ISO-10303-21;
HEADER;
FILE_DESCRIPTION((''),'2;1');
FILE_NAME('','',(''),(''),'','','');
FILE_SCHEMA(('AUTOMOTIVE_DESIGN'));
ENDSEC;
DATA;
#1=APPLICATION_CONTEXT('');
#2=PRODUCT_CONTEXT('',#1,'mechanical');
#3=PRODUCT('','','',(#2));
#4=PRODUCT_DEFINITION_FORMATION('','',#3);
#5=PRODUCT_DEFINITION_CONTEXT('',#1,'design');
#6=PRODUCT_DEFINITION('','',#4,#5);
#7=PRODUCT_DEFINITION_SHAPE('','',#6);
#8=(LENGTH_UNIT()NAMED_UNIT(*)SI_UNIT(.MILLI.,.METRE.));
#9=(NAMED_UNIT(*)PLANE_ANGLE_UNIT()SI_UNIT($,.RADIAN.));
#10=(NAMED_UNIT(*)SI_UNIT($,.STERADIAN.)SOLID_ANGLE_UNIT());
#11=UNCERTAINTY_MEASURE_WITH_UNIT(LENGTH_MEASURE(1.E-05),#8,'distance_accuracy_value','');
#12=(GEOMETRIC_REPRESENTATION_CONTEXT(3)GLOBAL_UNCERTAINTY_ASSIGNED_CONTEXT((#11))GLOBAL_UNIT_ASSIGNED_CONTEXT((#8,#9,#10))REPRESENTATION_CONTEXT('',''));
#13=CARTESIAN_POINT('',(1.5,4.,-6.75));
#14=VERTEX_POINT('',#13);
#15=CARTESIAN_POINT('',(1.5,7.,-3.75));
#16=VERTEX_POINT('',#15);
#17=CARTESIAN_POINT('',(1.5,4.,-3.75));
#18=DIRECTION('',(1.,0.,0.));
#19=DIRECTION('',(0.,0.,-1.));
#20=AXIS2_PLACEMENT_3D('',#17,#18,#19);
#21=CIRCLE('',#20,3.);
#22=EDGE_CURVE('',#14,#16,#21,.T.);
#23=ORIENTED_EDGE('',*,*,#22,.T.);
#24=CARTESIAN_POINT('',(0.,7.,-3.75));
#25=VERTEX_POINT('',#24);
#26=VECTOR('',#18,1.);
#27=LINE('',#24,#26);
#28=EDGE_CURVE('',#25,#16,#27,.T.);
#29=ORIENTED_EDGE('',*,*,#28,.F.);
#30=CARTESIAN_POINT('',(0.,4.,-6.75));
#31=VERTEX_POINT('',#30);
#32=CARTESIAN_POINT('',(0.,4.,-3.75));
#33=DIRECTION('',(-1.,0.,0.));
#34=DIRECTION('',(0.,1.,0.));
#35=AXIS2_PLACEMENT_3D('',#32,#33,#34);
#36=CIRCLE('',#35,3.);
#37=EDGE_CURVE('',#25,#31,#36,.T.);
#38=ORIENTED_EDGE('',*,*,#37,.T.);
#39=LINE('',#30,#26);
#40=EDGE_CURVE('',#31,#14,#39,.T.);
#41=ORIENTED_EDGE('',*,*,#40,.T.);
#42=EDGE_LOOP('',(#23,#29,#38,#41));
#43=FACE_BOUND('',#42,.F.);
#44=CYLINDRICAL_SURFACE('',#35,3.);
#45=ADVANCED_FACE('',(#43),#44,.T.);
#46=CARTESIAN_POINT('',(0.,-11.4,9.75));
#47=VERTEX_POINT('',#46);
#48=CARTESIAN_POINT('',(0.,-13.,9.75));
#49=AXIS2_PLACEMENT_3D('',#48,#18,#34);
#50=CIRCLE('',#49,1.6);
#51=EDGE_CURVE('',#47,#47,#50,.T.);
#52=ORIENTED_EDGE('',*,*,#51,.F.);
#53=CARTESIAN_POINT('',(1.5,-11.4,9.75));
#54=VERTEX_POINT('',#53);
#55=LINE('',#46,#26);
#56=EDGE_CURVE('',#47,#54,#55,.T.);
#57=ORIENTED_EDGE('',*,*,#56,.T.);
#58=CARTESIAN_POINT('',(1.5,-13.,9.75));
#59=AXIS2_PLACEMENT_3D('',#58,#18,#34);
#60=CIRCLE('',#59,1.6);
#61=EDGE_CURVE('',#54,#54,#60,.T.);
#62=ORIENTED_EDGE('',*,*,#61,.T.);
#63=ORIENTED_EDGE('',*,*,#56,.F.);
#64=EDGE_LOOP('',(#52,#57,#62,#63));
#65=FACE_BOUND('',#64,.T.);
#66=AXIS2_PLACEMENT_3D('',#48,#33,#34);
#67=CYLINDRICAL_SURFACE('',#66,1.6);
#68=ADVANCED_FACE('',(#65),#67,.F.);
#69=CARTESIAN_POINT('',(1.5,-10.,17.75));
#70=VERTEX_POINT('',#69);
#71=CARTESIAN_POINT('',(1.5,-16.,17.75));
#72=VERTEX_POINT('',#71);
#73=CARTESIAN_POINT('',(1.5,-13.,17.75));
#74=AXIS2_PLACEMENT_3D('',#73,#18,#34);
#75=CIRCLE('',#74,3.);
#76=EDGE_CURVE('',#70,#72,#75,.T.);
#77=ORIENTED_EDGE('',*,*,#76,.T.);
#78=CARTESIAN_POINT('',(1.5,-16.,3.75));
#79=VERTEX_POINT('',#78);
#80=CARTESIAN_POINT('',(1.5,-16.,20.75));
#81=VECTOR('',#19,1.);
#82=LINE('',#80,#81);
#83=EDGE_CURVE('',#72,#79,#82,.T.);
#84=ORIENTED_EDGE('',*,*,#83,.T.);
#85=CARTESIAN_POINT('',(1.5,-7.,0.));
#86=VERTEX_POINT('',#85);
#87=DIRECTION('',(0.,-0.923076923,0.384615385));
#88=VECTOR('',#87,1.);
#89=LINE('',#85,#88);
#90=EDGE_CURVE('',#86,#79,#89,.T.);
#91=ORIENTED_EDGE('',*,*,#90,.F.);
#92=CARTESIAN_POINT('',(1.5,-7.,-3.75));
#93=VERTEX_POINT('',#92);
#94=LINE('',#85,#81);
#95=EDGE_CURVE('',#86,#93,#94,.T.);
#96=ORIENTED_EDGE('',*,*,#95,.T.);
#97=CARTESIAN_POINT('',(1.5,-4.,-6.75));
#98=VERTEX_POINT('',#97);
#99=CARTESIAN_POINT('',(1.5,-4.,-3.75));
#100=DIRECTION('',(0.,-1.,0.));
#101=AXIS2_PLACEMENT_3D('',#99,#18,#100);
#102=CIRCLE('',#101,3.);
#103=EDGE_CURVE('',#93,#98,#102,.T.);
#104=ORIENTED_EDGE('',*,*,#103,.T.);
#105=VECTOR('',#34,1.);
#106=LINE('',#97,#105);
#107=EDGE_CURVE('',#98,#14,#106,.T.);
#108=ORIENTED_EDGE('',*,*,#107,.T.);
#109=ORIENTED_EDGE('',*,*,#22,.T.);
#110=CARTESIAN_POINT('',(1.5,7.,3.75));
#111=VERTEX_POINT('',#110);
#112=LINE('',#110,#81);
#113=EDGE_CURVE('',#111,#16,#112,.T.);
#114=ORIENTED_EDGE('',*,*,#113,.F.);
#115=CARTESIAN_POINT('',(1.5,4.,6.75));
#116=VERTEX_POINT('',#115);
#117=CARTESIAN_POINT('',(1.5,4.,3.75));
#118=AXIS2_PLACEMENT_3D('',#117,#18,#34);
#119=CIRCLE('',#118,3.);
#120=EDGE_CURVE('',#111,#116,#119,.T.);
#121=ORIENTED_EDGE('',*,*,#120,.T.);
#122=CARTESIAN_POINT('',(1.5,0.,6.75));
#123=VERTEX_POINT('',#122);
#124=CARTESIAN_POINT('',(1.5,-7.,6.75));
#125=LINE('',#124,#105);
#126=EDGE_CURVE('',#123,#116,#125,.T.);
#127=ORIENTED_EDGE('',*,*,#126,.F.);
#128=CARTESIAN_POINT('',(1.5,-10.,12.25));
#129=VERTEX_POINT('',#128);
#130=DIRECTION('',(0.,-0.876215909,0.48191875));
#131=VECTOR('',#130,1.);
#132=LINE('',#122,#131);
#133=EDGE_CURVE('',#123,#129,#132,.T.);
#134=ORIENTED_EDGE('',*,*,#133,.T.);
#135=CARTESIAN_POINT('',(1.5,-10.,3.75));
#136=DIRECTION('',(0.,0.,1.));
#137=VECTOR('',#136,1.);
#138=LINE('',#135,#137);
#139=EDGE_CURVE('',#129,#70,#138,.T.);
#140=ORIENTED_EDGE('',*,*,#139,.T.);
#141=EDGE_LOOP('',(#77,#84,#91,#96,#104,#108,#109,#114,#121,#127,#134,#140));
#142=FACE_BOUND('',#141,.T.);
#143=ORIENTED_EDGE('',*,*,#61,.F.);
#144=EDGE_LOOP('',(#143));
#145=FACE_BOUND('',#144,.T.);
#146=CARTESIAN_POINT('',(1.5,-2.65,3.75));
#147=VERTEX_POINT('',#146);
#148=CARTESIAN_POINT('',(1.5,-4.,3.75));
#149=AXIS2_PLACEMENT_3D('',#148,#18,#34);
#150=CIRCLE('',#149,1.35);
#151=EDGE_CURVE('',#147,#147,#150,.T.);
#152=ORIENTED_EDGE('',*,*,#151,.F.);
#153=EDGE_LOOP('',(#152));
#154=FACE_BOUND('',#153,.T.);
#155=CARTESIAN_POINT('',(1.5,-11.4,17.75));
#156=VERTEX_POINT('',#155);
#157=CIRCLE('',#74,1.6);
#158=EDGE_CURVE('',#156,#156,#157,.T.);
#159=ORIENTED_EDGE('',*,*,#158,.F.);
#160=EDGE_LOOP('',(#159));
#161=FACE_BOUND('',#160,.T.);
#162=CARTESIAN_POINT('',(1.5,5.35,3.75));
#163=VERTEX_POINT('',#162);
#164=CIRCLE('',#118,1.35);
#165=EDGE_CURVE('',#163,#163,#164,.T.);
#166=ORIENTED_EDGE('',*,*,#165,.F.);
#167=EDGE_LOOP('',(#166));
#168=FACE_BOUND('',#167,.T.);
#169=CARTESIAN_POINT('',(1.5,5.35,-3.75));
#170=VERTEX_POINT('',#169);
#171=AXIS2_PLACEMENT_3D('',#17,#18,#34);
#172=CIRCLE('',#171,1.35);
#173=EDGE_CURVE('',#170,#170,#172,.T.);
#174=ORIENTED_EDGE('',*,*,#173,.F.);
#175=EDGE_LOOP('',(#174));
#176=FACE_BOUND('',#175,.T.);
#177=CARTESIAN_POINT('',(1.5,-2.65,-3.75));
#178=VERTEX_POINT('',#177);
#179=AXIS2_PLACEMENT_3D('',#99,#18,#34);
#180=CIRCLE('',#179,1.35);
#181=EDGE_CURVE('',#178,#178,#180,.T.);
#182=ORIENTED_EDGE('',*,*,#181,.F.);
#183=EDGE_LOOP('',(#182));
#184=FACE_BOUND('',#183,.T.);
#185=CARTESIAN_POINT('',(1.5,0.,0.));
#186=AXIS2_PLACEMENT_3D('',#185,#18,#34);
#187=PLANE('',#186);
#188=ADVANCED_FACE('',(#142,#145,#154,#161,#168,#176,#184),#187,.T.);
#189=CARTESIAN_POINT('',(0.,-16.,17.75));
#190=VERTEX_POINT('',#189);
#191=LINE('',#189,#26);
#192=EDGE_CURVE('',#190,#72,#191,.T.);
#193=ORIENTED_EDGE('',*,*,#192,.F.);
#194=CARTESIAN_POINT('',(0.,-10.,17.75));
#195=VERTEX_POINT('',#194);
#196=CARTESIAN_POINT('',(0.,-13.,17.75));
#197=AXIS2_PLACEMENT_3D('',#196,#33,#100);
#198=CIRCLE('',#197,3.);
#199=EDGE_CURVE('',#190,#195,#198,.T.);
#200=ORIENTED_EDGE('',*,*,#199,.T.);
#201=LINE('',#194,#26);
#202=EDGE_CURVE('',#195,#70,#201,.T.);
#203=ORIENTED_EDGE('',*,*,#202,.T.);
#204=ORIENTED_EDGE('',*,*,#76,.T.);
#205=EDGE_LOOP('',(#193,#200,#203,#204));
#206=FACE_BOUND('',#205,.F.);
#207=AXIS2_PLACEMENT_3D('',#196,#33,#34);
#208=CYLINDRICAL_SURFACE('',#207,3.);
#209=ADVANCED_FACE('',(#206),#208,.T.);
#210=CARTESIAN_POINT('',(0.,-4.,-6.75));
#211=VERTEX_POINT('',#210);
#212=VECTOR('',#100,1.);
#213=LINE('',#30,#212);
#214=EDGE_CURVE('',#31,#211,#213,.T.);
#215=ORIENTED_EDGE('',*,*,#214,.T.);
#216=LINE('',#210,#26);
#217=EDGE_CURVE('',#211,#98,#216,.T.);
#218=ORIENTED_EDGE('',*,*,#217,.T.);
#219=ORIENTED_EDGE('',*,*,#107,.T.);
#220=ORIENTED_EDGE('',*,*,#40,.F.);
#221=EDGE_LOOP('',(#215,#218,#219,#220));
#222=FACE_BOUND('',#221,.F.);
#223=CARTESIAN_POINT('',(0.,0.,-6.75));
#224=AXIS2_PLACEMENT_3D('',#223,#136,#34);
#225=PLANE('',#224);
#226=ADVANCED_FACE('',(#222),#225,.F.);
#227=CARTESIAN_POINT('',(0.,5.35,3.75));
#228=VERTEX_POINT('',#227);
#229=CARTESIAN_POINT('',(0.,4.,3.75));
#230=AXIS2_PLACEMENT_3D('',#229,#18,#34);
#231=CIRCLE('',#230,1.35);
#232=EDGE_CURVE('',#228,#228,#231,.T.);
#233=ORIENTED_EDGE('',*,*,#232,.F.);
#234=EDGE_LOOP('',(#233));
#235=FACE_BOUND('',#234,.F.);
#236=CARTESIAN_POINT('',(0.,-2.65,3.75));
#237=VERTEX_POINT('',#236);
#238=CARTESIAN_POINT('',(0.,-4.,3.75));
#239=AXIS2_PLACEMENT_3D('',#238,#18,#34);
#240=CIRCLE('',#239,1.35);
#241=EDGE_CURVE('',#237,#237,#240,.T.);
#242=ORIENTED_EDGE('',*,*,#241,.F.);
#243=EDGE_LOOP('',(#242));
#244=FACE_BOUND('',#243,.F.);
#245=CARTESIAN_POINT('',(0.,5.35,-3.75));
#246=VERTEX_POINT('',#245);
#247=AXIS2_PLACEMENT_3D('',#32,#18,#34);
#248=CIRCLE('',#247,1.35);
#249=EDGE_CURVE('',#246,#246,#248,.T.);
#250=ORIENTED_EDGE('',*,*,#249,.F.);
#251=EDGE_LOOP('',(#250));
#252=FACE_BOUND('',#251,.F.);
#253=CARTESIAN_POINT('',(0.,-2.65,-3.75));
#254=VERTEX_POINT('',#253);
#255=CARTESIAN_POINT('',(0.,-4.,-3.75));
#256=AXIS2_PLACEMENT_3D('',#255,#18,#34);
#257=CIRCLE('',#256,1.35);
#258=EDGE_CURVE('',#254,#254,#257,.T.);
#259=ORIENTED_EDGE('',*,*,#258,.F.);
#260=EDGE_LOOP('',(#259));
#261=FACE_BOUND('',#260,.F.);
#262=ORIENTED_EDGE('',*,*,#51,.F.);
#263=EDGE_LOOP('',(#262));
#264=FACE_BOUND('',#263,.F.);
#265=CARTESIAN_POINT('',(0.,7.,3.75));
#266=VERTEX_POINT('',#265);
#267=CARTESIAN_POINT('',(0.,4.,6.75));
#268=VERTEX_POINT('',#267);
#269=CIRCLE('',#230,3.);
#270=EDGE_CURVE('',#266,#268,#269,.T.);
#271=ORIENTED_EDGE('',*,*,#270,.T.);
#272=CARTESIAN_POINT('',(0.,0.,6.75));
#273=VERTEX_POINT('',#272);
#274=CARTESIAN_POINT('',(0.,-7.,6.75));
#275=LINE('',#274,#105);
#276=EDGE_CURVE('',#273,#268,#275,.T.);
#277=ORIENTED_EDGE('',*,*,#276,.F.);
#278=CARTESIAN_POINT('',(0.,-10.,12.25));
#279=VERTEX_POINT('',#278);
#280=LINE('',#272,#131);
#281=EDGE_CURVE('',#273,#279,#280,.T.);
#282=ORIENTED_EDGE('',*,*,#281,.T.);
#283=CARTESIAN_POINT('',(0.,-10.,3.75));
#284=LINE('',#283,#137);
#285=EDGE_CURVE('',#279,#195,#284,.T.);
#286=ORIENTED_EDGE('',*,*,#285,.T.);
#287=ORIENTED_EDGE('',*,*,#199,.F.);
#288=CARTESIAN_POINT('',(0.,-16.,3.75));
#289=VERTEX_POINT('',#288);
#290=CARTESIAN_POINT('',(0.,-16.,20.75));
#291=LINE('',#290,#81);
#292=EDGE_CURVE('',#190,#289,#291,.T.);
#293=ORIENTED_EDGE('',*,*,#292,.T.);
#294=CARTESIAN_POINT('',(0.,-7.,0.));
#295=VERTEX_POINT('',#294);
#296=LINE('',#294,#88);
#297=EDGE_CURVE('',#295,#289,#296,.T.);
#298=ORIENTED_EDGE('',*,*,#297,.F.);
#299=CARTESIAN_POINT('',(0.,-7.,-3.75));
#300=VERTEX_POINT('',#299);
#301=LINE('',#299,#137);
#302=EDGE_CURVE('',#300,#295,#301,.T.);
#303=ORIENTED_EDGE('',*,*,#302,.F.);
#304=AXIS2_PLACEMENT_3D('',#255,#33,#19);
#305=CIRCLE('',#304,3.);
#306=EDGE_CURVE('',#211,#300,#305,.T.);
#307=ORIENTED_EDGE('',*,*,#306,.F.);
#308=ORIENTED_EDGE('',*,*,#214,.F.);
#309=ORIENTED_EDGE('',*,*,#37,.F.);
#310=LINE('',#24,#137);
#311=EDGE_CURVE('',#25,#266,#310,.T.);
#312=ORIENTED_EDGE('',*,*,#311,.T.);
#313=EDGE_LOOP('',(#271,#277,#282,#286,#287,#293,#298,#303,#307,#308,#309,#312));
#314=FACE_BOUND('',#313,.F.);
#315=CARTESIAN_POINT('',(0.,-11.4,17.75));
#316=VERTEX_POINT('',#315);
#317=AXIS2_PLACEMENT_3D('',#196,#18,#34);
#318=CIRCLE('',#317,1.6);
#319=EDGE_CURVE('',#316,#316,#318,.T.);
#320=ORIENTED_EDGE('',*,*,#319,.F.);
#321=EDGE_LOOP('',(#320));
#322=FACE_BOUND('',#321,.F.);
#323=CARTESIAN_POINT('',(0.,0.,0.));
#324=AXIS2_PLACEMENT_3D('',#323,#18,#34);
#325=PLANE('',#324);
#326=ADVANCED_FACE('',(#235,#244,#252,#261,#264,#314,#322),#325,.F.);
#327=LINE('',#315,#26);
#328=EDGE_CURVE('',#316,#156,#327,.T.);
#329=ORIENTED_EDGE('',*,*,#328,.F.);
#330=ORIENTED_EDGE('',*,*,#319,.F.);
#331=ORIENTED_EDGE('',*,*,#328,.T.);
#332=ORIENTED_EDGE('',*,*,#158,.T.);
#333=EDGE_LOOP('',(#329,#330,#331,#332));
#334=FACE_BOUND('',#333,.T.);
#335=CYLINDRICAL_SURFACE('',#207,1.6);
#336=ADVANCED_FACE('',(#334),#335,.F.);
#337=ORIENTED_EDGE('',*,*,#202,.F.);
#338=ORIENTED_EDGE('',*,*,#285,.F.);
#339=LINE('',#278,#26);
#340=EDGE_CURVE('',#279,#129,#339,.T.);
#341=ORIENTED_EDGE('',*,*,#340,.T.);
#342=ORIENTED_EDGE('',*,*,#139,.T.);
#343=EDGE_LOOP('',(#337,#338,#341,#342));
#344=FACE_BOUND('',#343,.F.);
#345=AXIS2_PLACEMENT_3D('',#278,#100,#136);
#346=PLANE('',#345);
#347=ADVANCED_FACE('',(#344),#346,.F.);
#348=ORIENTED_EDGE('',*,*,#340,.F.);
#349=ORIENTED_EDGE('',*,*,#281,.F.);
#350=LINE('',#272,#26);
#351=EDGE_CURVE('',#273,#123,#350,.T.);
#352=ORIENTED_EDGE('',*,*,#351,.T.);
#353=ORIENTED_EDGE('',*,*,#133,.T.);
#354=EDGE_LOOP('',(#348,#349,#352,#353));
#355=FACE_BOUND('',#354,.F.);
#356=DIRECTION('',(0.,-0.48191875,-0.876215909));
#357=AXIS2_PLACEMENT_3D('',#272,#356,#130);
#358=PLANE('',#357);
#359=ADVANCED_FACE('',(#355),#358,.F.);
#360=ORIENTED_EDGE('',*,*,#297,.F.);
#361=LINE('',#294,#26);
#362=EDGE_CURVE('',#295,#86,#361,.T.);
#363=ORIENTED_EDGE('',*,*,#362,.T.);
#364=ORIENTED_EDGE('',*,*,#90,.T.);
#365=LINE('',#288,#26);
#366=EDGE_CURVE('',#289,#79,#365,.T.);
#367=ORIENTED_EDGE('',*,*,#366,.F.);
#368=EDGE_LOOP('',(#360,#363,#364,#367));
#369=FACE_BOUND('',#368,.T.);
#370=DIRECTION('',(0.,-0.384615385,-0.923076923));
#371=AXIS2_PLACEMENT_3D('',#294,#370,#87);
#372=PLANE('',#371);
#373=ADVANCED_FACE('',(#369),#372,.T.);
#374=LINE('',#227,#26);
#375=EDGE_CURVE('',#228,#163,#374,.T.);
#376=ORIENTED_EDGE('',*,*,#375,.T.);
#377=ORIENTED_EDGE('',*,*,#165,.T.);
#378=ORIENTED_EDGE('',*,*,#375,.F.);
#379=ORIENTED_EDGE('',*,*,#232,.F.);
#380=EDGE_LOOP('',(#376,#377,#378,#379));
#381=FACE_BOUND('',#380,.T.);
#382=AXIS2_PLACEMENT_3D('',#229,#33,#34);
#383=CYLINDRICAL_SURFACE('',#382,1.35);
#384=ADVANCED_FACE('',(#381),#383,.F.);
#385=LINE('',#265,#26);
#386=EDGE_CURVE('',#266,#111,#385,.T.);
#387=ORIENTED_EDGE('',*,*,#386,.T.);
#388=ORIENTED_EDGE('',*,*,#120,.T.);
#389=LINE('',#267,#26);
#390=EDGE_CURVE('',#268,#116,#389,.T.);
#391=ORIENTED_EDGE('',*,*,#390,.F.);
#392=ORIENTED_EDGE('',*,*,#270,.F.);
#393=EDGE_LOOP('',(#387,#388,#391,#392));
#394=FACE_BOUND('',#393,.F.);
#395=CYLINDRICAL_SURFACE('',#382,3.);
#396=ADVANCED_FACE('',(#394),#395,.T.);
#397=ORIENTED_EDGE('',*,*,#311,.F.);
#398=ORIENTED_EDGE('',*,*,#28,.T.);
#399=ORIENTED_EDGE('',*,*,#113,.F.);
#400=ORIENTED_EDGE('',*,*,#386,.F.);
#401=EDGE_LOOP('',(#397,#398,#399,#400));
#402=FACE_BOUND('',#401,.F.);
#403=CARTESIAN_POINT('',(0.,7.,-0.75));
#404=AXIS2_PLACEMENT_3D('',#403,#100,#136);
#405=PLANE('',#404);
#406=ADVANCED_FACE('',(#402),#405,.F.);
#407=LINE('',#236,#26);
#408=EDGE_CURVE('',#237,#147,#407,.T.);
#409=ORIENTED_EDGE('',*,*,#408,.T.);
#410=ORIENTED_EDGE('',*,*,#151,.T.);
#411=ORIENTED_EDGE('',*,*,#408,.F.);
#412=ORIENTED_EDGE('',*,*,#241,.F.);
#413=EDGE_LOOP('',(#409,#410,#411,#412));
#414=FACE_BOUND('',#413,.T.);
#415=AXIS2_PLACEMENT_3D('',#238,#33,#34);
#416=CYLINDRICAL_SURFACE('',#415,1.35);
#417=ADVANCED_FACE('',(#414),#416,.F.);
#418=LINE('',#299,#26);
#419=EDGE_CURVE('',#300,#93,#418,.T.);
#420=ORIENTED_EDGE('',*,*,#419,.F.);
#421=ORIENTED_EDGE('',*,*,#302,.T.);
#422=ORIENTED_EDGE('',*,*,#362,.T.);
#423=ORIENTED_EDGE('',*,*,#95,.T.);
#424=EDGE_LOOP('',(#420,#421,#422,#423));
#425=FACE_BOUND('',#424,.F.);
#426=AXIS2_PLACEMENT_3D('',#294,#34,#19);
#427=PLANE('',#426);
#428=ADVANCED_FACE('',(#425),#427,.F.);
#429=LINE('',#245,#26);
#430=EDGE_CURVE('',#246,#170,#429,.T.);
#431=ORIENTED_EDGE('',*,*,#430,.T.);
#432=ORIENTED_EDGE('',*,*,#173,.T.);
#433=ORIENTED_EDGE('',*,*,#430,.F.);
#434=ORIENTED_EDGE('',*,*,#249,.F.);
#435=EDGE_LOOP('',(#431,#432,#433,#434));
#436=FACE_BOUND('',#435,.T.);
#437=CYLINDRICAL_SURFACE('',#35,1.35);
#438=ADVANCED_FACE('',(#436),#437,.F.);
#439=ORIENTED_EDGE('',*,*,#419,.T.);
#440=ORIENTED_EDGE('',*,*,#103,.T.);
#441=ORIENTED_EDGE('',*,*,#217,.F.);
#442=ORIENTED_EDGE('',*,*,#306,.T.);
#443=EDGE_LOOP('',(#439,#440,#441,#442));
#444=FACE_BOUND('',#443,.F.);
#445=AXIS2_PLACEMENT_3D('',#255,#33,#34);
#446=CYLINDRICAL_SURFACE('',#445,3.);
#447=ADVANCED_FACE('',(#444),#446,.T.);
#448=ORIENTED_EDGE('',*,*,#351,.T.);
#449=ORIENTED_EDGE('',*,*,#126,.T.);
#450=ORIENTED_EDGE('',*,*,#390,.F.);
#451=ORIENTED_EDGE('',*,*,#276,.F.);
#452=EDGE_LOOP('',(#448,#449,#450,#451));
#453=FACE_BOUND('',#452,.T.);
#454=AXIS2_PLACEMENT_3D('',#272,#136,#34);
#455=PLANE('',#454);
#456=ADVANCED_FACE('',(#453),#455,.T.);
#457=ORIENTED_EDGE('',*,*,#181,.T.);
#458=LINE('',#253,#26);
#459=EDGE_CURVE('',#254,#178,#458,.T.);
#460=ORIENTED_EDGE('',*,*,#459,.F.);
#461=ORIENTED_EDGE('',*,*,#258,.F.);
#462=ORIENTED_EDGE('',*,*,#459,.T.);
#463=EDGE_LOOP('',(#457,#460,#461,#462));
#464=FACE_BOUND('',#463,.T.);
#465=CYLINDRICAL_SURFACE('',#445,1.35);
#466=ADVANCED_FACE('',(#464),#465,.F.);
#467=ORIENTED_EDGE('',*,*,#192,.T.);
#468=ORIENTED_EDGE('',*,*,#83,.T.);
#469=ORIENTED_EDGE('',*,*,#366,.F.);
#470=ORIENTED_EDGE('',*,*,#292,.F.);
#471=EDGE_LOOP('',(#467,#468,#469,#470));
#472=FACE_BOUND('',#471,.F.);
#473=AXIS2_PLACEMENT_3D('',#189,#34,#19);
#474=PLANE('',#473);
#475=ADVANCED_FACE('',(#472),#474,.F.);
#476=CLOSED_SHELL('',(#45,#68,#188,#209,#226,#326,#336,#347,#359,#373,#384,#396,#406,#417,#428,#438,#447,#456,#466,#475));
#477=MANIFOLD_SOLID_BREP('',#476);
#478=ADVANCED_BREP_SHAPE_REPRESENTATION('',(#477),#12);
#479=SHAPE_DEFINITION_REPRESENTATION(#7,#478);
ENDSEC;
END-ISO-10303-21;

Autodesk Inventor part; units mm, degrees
ref_plane "YZ Plane" through (0, 0, 0) normal (1, 0, 0) x (0, 1, 0)
ref_plane "XZ Plane" through (0, 0, 0) normal (0, 1, 0) x (-1, 0, 0)
ref_plane "XY Plane" through (0, 0, 0) normal (0, 0, 1) x (1, 0, 0)
sketch "スケッチ1" plane through (0, 0, 0) normal (1, 0, 0) x (0, 1, 0)
  line L0 (7, 0) -> (-7, 0)
  line L1 (-7, 0) -> (-7, -6.75)
  line L2 (-7, -6.75) -> (7, -6.75)
  line L3 (7, -6.75) -> (7, 0)
  circle A0 centre (4, -3.75) radius 3
  circle A1 centre (-4, -3.75) radius 3
  line L4 (7, -0.75) -> (-7, -0.75)
  line L5 (-6, -3.75) -> (-6, -14.75)
  line L6 (-6, -14.75) -> (6, -14.75)
  line L7 (6, -14.75) -> (6, -3.75)
  line L8 (-7, 0) -> (-7, 6.75)
  line L9 (-7, 6.75) -> (7, 6.75)
  line L10 (7, 6.75) -> (7, 0)
  circle A2 centre (4, 3.75) radius 3
  circle A3 centre (-4, 3.75) radius 3
  line L11 (7, 0.75) -> (-7, 0.75)
  circle A4 centre (4, -3.75) radius 1.35
  circle A5 centre (-4, -3.75) radius 1.35
  circle A6 centre (-4, 3.75) radius 1.35
  circle A7 centre (4, 3.75) radius 1.35
  circle A8 centre (3, -10.75) radius 1.6
  circle A9 centre (-3, -10.75) radius 1.6
  line L12 (0, -21.85) -> (0, 27.85)
  line L13 (-10, 20.75) -> (-16, 20.75)
  line L14 (-16, 20.75) -> (-16, 3.75)
  line L15 (-16, 3.75) -> (-10, 3.75)
  line L16 (-10, 3.75) -> (-10, 20.75)
  circle A10 centre (-13, 17.75) radius 1.6
  circle A11 centre (-13, 9.75) radius 1.6
  circle A12 centre (-13, 17.75) radius 3
  line L17 (-7, 0) -> (-16, 3.75)
  line L18 (0, 6.75) -> (-10, 12.25)
  point P0 (0, 0)
  point P1 (0, 0)
  point P2 (-4.1535, 3.75)
  point P3 (6, -5.9861)
  point P4 (7, -3.75)
  point P5 (7, 3.75)
  point P6 (-7, 3.75)
  point P7 (-7, -3.75)
  point P8 (-6, -5.9861)
  point P9 (4, 6.75)
  point P10 (-4, 6.75)
  point P11 (-16, 17.75)
  point P12 (-7, 6.75)
  point P13 (-1, 6.75)
  point P14 (-10, 17.75)
  point P15 (4, -6.75)
  point P16 (-4, -6.75)
  dimension "d0" = 14
  dimension "d1" = 6
  dimension "d2" = 6
  dimension "d3" = 0.75
  dimension "d4" = 8
  dimension "d5" = 2.7
  dimension "d7" = 3.2
  dimension "d8" = 3.2
  dimension "d9" = 4
  dimension "d10" = 6
  dimension "d11" = 3
  dimension "d12" = 6
  dimension "d13" = 3.2
  dimension "d14" = 3.2
  dimension "d15" = 3
  dimension "d16" = 8
  dimension "d17" = 3
  dimension "d18" = 3
extrude "プレート1" add sketch "スケッチ1" along normal blind 1.5 contours L3 L4 L12 L0 | L0 L12 L11 L10 | L12 L4 L1 L0 | L0 L8 L11 L12 | L3 A0 L4 | L11 A2 L10 | L17 L15 L16 L18 L9 L8 | L12 L2 A1 L4 | L4 A0 L2 L12 | L12 L9 A2 L11 | L11 A3 L9 L12 | A0 | A2 | L4 A1 L1 | L8 A3 L11 | L14 A12 L16 L15 | A1 | A3 | L8 L9 A3 | A12
equation "\"d11\" = 0.5 * d10"
equation "\"d17\" = 0.5 * d10"
equation "\"d6\" = Thickness"
equation "\"BendRadius\" = Thickness"
equation "\"BendReliefWidth\" = Thickness"
equation "\"BendReliefDepth\" = 0.5 * Thickness"
equation "\"CornerReliefSize\" = 4 * Thickness"
equation "\"MinimumRemnant\" = 2 * Thickness"
equation "\"TransitionRadius\" = BendRadius"
equation "\"JacobiRadiusSize\" = BendRadius"
equation "\"GapSize\" = Thickness"
equation "\"Thickness\" = 1.5"
properties part number "fork_inside" material "アルミニウム 6061"
